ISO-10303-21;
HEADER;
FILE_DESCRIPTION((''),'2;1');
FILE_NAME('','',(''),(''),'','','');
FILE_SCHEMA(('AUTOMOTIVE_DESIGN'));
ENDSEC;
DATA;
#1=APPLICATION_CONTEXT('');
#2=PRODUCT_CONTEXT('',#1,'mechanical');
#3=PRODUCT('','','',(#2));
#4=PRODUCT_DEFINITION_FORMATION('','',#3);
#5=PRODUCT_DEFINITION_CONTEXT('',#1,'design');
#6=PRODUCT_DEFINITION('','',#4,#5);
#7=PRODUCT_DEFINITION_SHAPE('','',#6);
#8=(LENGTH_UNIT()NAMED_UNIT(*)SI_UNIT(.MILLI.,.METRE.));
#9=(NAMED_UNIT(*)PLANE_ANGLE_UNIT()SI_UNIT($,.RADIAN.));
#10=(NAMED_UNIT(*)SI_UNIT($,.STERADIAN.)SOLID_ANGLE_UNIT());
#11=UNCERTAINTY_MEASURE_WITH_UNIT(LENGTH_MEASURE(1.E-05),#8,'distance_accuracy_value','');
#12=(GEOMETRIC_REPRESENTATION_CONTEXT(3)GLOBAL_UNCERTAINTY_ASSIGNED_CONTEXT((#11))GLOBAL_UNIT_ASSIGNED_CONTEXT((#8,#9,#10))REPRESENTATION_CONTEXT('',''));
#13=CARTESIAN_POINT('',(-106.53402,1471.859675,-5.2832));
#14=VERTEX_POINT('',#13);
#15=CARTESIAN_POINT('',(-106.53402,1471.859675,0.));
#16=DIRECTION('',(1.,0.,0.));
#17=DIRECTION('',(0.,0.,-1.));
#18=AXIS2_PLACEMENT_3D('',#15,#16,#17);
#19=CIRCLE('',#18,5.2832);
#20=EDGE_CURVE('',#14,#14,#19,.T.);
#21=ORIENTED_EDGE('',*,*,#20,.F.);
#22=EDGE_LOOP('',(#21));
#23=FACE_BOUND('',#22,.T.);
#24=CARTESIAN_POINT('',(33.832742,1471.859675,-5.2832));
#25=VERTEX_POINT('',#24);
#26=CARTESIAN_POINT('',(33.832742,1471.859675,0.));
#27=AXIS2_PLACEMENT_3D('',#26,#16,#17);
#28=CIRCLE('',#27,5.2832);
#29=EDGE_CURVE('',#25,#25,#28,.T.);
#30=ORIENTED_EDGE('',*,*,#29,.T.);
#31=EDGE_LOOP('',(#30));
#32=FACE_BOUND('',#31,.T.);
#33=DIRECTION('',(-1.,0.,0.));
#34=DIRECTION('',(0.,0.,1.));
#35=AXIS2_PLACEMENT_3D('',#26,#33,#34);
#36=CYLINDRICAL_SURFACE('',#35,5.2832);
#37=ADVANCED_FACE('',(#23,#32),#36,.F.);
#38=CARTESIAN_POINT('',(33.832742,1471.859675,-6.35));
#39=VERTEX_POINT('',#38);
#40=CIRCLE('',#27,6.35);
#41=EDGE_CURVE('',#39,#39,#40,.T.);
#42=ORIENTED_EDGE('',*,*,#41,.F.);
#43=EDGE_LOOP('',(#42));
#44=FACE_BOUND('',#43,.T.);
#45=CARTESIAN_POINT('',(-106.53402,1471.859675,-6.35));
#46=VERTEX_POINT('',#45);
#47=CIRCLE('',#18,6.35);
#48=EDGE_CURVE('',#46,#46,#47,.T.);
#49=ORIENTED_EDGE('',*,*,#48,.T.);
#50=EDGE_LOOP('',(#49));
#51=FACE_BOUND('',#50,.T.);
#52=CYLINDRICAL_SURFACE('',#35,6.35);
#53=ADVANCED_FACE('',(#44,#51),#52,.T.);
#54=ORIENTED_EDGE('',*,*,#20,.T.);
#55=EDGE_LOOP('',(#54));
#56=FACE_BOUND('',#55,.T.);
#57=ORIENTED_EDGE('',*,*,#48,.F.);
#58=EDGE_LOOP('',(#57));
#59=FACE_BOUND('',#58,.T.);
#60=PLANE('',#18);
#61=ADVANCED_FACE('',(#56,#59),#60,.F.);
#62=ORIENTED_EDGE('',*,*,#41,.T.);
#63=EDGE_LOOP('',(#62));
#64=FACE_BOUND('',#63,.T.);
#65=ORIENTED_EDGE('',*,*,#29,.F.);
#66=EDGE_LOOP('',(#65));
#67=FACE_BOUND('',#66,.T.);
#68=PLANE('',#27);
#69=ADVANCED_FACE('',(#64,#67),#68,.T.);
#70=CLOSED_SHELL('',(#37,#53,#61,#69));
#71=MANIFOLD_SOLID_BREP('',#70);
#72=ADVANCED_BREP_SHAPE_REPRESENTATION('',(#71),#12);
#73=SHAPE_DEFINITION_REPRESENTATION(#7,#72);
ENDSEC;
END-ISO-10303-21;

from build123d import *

# Parameters (mm, degrees)
SKETCH11_R              = 6.35
SKETCH11_R_2            = 5.2832
PIPE_0_5_SCH_40_1_DEPTH = 140.366761627


with BuildPart() as part:
    # Sketch11 → Pipe 0.5 SCH 40(1) (new body)
    with BuildSketch(Plane(origin=(-106.534019987, 1471.859674504, 0), x_dir=(0, 1, 0), z_dir=(1, 0, 0))):
        Circle(SKETCH11_R)
        Circle(SKETCH11_R_2, mode=Mode.SUBTRACT)
    extrude(amount=PIPE_0_5_SCH_40_1_DEPTH)


solid = part.part
